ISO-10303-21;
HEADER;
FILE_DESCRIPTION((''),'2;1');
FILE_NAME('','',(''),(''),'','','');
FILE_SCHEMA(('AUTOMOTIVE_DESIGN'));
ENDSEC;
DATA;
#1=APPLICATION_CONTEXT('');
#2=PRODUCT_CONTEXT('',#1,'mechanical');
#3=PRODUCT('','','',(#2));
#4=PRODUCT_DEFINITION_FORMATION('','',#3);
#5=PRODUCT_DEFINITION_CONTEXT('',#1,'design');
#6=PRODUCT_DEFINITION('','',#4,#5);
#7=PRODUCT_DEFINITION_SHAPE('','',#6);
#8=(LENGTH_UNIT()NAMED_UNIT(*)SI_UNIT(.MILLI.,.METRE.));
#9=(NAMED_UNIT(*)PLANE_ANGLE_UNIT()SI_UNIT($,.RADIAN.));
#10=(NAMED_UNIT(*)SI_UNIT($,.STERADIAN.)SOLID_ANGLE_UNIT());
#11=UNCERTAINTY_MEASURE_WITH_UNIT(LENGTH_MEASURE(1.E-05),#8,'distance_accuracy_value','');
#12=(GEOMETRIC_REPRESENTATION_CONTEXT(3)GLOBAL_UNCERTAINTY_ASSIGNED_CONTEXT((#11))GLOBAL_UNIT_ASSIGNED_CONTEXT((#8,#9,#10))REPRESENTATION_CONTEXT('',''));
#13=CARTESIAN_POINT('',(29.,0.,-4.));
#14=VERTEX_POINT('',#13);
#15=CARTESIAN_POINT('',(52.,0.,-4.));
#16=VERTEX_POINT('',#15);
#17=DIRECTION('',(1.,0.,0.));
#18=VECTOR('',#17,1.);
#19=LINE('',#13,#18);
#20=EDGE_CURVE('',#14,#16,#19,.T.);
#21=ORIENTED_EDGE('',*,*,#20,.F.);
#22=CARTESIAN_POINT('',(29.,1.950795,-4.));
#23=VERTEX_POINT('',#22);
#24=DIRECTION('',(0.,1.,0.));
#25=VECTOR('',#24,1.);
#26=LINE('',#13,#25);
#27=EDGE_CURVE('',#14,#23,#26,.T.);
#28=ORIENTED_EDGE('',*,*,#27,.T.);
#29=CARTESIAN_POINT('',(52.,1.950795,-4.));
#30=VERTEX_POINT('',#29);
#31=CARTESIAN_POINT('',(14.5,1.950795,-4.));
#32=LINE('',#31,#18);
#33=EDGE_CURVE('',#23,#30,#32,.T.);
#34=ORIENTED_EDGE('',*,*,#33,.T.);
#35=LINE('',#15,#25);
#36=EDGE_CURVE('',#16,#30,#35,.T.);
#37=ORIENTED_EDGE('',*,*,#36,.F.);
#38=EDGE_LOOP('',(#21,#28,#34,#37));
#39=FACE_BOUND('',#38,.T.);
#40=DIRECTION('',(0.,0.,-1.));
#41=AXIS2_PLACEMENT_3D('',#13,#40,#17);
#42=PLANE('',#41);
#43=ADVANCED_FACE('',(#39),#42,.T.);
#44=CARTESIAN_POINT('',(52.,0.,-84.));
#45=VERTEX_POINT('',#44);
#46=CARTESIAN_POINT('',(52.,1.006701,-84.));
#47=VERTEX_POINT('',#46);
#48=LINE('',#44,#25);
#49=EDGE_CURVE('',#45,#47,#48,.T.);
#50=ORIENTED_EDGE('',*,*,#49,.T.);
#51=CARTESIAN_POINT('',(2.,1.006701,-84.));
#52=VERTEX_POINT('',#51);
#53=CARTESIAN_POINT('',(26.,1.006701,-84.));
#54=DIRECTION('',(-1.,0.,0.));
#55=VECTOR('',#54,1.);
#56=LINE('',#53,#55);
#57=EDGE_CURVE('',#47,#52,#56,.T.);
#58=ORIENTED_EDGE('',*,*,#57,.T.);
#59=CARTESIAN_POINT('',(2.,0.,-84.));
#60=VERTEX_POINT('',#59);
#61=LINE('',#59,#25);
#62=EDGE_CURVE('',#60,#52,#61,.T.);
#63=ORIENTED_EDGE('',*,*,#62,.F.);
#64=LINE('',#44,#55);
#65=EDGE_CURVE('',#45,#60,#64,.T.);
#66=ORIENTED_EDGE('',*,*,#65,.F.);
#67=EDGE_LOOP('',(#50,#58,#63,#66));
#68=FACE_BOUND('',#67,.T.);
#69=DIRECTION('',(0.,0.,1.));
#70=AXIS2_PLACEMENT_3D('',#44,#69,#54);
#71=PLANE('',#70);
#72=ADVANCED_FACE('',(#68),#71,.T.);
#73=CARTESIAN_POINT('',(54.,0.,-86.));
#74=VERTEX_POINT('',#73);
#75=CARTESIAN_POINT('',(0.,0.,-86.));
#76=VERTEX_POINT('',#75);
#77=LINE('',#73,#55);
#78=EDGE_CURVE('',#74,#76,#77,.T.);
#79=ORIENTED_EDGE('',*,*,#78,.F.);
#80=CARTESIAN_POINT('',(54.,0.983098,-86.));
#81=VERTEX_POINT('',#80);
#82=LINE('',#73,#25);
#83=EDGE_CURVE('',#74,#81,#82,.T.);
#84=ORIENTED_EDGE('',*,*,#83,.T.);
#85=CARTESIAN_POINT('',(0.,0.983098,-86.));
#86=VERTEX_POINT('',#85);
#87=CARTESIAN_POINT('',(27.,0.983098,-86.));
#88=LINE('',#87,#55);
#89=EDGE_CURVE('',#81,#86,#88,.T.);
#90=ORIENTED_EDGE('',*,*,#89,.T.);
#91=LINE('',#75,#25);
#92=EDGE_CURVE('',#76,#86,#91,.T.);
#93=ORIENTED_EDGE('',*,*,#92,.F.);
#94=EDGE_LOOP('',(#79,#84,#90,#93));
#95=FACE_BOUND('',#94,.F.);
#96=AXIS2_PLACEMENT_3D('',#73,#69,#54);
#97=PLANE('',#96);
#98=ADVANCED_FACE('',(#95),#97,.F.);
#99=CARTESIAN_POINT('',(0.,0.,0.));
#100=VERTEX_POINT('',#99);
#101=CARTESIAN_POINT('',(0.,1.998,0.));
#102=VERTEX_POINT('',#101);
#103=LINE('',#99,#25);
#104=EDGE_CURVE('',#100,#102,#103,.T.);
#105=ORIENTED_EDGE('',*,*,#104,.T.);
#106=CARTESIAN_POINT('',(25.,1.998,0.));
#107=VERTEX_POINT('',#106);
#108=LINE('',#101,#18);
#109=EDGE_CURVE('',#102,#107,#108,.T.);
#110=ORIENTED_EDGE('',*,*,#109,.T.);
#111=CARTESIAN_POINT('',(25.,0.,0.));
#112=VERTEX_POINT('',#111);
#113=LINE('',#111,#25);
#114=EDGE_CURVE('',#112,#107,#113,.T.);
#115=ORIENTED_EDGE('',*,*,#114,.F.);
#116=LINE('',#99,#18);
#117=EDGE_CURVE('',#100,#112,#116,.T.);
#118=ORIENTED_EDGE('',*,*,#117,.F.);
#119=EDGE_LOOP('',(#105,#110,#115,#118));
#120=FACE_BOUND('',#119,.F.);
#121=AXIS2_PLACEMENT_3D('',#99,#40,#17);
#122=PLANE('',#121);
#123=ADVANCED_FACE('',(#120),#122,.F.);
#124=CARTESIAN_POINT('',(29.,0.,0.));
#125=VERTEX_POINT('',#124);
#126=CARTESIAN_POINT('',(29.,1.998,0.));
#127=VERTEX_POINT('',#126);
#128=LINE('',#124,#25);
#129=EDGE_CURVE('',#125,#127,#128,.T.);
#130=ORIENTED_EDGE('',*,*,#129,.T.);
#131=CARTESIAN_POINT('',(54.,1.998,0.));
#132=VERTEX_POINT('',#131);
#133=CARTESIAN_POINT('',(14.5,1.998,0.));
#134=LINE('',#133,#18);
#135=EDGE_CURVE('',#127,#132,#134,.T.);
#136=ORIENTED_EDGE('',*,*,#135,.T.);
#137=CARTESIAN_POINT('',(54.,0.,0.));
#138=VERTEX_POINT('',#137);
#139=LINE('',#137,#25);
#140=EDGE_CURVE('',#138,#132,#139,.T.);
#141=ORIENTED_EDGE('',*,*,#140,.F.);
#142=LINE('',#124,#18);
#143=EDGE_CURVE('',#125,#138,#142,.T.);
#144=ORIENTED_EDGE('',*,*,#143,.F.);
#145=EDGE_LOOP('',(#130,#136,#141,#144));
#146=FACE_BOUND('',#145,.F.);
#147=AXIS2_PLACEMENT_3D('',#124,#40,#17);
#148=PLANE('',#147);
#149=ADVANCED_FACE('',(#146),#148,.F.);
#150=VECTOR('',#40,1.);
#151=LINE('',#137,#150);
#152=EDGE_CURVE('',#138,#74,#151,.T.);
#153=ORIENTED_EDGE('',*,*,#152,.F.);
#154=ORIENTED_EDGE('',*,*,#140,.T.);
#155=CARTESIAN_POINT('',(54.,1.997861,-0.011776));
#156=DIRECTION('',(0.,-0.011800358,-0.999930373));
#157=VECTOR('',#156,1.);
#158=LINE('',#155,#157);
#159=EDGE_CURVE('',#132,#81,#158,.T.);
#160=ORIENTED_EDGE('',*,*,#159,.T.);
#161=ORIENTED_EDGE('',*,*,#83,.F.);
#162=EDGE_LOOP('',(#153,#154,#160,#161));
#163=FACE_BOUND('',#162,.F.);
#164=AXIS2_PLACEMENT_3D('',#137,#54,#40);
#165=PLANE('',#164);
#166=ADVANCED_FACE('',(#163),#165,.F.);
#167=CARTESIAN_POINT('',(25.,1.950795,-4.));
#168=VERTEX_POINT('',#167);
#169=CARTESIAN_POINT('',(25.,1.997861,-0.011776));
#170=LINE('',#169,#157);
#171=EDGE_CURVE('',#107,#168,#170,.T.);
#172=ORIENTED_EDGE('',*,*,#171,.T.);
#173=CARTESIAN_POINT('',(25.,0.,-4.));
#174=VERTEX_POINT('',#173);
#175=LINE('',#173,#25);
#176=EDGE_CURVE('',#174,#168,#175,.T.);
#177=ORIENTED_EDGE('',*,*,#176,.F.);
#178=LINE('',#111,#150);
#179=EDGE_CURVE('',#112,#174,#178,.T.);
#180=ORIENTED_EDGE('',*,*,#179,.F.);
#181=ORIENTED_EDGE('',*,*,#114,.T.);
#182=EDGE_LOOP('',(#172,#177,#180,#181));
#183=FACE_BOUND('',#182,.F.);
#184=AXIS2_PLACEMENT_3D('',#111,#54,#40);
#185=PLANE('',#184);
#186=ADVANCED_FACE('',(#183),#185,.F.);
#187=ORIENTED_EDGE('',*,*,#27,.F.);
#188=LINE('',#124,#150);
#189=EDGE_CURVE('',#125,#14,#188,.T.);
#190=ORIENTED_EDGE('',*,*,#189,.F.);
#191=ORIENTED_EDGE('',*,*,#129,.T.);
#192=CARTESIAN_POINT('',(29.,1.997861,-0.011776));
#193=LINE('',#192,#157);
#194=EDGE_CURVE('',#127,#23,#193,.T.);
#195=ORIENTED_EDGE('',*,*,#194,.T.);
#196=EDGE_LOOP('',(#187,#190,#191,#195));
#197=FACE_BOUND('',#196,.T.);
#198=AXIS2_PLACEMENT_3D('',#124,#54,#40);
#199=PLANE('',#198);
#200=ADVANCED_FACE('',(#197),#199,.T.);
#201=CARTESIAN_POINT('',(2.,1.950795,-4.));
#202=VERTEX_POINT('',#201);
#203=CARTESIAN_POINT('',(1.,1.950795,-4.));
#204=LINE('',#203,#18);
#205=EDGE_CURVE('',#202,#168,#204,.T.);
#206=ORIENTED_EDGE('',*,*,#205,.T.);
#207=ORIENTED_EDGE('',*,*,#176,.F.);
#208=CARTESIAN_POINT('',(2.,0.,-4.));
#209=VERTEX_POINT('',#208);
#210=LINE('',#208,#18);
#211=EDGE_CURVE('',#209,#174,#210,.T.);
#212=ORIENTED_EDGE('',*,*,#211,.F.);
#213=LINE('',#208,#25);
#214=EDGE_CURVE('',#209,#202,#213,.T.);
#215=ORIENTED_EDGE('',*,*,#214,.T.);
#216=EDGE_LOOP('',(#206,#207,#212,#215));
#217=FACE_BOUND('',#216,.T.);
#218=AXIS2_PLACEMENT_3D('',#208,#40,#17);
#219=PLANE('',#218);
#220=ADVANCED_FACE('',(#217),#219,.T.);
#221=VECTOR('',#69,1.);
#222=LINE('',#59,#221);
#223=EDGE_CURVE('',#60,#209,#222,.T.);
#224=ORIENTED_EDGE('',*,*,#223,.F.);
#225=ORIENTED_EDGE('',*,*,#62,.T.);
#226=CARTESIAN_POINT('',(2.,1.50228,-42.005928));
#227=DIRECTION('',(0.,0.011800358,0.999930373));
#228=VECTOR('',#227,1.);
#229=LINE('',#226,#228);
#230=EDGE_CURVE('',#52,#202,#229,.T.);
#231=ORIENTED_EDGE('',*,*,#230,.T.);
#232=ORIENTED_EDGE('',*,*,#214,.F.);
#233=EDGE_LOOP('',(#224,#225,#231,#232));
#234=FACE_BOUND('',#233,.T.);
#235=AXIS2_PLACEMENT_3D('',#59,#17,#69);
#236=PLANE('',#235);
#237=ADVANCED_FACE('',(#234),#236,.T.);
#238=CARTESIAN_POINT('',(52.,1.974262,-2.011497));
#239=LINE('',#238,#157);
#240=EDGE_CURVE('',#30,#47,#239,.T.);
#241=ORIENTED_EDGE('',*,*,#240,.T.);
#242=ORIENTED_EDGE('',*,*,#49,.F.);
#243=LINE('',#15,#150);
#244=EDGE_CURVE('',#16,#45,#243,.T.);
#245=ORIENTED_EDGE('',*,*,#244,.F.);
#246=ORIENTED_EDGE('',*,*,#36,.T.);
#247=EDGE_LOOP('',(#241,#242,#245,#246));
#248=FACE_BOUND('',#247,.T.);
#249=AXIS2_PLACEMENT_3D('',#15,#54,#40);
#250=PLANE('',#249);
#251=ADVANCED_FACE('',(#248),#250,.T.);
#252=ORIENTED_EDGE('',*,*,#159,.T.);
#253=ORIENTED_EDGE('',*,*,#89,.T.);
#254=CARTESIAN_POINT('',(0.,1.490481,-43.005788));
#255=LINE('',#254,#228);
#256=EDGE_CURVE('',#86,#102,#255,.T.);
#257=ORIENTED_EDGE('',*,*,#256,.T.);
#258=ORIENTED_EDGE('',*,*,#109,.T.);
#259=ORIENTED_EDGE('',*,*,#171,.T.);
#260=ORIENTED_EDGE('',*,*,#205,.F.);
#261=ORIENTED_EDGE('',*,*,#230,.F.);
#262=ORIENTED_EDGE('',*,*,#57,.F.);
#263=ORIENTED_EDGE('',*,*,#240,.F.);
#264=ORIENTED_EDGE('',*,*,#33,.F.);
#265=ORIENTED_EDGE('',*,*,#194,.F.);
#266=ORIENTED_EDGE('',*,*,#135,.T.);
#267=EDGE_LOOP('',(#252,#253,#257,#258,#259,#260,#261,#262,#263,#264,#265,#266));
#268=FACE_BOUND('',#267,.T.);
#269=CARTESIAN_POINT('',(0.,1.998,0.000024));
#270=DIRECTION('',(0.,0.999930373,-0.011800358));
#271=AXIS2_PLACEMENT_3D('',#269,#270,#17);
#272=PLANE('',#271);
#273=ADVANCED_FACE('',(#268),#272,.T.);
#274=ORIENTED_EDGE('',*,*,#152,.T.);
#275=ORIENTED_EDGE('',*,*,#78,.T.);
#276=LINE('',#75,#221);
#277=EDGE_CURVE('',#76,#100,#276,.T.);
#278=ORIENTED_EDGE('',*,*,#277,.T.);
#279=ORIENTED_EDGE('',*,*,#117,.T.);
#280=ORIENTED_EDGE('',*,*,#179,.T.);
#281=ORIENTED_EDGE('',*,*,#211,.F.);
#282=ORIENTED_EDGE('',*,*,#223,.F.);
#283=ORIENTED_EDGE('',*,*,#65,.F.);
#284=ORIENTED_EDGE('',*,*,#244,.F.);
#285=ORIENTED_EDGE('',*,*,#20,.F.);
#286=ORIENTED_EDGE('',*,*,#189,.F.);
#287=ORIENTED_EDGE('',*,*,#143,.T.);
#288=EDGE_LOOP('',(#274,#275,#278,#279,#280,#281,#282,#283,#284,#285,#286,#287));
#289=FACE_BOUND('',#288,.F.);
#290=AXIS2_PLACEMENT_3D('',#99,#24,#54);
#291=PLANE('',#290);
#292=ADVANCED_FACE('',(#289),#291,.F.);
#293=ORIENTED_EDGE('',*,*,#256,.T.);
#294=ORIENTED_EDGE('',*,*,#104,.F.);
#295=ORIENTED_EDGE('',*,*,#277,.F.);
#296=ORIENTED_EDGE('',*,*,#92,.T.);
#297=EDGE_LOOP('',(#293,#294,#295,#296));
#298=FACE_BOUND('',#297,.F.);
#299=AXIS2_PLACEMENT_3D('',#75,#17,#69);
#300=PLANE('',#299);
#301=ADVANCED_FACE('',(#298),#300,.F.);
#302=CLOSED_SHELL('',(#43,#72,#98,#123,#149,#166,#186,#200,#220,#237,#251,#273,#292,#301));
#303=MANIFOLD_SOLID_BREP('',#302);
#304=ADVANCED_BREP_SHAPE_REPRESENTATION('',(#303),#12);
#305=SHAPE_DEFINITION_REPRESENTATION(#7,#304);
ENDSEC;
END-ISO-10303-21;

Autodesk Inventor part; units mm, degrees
ref_plane "YZ Plane" through (0, 0, 0) normal (1, 0, 0) x (0, 1, 0)
ref_plane "XZ Plane" through (0, 0, 0) normal (0, 1, 0) x (-1, 0, 0)
ref_plane "XY Plane" through (0, 0, 0) normal (0, 0, 1) x (1, 0, 0)
sketch "Sketch1" plane through (0, 0, 0) normal (0, 1, 0) x (-1, 0, 0)
  line L0 (-54, 0) -> (-54, -86)
  line L1 (-54, -86) -> (0, -86)
  line L2 (0, -86) -> (0, 0)
  line L3 (0, 0) -> (-2, 0) construction
  line L4 (-2, 0) -> (-2, -4) construction
  line L5 (0, -86) -> (0, -84) construction
  line L6 (-52, -4) -> (-52, -84)
  line L7 (-52, -84) -> (-2, -84)
  line L8 (-2, -84) -> (-2, -4)
  line L9 (-25, 0) -> (-25, -4)
  line L10 (-29, 0) -> (-29, -4)
  line L11 (-2, -4) -> (-25, -4)
  line L12 (-29, -4) -> (-52, -4)
  line L13 (0, 0) -> (-25, 0)
  line L14 (-29, 0) -> (-54, 0)
  point P0 (-25, -2)
  dimension "d1" = 54
  dimension "d2" = 86
  dimension "d3" = 2
  dimension "d4" = 4
  dimension "d5" = 2
  dimension "d6" = 50
  dimension "d7" = 25
  dimension "d8" = 29
extrude "Extrusion1" add sketch "Sketch1" along normal blind 2
ref_plane "Work Plane1" through (0, 2, 0) normal (0, 0.9999, -0.0118) x (1, 0, 0)
sketch "Sketch2" plane through (0, 2, 0) normal (0, 0.9999, -0.0118) x (1, 0, 0)
  line L0 (-35.8906, -24.3728) -> (94.8707, -24.3728)
  line L1 (94.8707, -24.3728) -> (94.8707, 112.0739)
  line L2 (94.8707, 112.0739) -> (-35.8906, 112.0739)
  line L3 (-35.8906, 112.0739) -> (-35.8906, -24.3728)
  point P0 (0, 0.0236)
extrude "Extrusion2" cut sketch "Sketch2" along normal blind 8.25
properties part number "wing0.3.1_conductive"
